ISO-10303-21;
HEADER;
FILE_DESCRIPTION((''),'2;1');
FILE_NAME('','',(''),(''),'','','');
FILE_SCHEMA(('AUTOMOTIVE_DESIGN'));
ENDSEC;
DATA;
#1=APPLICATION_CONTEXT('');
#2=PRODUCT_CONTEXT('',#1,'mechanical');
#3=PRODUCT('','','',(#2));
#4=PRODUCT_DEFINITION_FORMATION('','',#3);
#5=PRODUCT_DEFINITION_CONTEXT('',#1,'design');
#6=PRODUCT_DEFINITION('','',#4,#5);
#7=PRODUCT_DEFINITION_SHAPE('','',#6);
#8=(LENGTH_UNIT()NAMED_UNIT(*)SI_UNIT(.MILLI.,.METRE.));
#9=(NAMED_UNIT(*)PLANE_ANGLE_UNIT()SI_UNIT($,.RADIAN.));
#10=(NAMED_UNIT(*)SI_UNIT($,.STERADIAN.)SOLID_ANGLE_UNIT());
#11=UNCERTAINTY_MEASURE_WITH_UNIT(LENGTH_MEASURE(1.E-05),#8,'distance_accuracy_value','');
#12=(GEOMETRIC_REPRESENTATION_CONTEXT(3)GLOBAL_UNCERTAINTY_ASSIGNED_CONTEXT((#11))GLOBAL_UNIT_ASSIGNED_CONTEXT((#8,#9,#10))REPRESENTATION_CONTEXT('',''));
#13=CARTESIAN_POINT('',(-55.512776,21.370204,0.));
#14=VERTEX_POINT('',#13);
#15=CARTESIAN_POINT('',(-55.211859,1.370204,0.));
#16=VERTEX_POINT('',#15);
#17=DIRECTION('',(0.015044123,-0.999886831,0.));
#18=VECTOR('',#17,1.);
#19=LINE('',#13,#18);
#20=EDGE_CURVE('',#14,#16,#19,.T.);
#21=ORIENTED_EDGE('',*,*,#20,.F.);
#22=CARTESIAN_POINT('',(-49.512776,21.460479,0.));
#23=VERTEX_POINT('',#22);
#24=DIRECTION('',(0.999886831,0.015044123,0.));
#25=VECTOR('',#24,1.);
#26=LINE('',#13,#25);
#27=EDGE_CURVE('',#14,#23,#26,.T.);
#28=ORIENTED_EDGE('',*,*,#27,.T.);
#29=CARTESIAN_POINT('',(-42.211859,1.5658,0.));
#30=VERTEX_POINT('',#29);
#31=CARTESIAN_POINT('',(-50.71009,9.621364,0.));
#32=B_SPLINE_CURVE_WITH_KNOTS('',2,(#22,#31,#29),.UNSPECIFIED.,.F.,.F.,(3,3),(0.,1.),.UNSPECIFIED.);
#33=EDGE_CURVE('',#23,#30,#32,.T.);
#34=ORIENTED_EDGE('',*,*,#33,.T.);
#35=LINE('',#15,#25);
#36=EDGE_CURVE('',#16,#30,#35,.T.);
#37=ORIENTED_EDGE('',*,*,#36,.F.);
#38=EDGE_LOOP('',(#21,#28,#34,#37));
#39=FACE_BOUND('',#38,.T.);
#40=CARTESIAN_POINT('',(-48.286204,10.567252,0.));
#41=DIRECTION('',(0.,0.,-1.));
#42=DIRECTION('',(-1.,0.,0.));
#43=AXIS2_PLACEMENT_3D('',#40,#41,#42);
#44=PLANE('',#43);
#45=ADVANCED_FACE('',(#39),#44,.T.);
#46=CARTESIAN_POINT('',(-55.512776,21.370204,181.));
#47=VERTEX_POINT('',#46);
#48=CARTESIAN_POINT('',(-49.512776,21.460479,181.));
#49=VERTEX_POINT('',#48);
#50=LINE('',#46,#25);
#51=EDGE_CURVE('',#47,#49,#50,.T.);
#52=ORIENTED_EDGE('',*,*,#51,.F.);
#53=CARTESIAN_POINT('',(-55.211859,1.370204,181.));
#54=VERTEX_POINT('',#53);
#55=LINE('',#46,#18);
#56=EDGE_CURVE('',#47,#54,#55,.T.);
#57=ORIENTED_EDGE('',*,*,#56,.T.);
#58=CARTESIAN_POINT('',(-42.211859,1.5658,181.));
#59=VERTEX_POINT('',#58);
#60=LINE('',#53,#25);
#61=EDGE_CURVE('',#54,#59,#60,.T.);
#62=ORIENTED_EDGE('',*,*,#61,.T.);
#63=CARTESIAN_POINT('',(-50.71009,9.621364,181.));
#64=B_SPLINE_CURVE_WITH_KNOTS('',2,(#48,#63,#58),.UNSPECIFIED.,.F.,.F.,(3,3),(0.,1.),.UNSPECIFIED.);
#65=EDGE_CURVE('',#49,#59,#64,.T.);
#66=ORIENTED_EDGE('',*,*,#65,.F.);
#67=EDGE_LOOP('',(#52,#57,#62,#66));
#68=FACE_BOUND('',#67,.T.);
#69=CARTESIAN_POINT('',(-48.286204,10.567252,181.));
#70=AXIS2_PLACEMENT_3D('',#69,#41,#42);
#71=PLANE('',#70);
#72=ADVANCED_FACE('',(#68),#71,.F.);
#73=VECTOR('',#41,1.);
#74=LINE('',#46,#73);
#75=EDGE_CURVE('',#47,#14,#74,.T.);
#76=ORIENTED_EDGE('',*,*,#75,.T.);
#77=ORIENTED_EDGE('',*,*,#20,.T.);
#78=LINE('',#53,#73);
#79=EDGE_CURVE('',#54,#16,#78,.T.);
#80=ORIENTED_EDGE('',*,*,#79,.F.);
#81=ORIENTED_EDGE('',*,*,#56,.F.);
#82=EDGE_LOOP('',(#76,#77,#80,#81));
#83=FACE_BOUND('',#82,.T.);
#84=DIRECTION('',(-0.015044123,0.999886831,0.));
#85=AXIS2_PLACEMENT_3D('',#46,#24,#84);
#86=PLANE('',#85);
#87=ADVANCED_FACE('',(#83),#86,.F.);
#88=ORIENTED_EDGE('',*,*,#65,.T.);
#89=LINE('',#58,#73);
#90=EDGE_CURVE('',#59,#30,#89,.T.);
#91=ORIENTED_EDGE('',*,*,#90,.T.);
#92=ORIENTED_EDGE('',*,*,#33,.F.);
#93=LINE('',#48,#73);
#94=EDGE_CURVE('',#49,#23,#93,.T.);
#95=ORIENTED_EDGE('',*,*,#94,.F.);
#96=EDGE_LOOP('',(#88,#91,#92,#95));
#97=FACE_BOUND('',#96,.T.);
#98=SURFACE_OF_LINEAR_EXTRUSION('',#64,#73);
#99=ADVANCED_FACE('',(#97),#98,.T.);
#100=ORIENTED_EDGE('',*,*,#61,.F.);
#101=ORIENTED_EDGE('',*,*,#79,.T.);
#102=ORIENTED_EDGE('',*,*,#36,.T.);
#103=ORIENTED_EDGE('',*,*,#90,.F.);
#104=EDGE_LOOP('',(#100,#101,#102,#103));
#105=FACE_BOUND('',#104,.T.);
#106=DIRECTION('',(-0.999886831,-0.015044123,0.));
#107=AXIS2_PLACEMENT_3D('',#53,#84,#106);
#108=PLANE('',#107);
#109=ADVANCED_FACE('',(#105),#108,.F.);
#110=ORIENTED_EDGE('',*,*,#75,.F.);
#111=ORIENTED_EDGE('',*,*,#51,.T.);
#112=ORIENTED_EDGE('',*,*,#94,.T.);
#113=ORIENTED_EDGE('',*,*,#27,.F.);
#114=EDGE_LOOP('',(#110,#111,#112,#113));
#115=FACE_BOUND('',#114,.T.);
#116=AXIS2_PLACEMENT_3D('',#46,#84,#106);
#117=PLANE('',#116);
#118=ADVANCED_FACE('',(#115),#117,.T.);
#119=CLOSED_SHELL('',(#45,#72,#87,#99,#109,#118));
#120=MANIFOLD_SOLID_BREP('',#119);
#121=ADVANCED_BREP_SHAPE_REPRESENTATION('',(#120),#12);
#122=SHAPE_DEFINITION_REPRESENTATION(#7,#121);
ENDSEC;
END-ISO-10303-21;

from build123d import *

# Parameters (mm, degrees)
BOSS_EXTRU_1_DEPTH = 181


with BuildPart() as part:
    # Esquisse1 → Boss.-Extru.1 (new body)
    with BuildSketch(Plane.XY):
        with BuildLine():
            Line((-55.512775802, 21.37020417), (-49.512775802, 21.460479123))
            add(Edge.make_bspline(
                [(-49.512775802, 21.460479123), (-50.710090217, 9.621363587), (-42.211859293, 1.565799901)],
                knots=[0, 0, 0, 1, 1, 1], degree=2))
            Line((-42.211859293, 1.565799901), (-55.211859293, 1.37020417))
            Line((-55.211859293, 1.37020417), (-55.512775802, 21.37020417))
        make_face()
    extrude(amount=BOSS_EXTRU_1_DEPTH)


solid = part.part
